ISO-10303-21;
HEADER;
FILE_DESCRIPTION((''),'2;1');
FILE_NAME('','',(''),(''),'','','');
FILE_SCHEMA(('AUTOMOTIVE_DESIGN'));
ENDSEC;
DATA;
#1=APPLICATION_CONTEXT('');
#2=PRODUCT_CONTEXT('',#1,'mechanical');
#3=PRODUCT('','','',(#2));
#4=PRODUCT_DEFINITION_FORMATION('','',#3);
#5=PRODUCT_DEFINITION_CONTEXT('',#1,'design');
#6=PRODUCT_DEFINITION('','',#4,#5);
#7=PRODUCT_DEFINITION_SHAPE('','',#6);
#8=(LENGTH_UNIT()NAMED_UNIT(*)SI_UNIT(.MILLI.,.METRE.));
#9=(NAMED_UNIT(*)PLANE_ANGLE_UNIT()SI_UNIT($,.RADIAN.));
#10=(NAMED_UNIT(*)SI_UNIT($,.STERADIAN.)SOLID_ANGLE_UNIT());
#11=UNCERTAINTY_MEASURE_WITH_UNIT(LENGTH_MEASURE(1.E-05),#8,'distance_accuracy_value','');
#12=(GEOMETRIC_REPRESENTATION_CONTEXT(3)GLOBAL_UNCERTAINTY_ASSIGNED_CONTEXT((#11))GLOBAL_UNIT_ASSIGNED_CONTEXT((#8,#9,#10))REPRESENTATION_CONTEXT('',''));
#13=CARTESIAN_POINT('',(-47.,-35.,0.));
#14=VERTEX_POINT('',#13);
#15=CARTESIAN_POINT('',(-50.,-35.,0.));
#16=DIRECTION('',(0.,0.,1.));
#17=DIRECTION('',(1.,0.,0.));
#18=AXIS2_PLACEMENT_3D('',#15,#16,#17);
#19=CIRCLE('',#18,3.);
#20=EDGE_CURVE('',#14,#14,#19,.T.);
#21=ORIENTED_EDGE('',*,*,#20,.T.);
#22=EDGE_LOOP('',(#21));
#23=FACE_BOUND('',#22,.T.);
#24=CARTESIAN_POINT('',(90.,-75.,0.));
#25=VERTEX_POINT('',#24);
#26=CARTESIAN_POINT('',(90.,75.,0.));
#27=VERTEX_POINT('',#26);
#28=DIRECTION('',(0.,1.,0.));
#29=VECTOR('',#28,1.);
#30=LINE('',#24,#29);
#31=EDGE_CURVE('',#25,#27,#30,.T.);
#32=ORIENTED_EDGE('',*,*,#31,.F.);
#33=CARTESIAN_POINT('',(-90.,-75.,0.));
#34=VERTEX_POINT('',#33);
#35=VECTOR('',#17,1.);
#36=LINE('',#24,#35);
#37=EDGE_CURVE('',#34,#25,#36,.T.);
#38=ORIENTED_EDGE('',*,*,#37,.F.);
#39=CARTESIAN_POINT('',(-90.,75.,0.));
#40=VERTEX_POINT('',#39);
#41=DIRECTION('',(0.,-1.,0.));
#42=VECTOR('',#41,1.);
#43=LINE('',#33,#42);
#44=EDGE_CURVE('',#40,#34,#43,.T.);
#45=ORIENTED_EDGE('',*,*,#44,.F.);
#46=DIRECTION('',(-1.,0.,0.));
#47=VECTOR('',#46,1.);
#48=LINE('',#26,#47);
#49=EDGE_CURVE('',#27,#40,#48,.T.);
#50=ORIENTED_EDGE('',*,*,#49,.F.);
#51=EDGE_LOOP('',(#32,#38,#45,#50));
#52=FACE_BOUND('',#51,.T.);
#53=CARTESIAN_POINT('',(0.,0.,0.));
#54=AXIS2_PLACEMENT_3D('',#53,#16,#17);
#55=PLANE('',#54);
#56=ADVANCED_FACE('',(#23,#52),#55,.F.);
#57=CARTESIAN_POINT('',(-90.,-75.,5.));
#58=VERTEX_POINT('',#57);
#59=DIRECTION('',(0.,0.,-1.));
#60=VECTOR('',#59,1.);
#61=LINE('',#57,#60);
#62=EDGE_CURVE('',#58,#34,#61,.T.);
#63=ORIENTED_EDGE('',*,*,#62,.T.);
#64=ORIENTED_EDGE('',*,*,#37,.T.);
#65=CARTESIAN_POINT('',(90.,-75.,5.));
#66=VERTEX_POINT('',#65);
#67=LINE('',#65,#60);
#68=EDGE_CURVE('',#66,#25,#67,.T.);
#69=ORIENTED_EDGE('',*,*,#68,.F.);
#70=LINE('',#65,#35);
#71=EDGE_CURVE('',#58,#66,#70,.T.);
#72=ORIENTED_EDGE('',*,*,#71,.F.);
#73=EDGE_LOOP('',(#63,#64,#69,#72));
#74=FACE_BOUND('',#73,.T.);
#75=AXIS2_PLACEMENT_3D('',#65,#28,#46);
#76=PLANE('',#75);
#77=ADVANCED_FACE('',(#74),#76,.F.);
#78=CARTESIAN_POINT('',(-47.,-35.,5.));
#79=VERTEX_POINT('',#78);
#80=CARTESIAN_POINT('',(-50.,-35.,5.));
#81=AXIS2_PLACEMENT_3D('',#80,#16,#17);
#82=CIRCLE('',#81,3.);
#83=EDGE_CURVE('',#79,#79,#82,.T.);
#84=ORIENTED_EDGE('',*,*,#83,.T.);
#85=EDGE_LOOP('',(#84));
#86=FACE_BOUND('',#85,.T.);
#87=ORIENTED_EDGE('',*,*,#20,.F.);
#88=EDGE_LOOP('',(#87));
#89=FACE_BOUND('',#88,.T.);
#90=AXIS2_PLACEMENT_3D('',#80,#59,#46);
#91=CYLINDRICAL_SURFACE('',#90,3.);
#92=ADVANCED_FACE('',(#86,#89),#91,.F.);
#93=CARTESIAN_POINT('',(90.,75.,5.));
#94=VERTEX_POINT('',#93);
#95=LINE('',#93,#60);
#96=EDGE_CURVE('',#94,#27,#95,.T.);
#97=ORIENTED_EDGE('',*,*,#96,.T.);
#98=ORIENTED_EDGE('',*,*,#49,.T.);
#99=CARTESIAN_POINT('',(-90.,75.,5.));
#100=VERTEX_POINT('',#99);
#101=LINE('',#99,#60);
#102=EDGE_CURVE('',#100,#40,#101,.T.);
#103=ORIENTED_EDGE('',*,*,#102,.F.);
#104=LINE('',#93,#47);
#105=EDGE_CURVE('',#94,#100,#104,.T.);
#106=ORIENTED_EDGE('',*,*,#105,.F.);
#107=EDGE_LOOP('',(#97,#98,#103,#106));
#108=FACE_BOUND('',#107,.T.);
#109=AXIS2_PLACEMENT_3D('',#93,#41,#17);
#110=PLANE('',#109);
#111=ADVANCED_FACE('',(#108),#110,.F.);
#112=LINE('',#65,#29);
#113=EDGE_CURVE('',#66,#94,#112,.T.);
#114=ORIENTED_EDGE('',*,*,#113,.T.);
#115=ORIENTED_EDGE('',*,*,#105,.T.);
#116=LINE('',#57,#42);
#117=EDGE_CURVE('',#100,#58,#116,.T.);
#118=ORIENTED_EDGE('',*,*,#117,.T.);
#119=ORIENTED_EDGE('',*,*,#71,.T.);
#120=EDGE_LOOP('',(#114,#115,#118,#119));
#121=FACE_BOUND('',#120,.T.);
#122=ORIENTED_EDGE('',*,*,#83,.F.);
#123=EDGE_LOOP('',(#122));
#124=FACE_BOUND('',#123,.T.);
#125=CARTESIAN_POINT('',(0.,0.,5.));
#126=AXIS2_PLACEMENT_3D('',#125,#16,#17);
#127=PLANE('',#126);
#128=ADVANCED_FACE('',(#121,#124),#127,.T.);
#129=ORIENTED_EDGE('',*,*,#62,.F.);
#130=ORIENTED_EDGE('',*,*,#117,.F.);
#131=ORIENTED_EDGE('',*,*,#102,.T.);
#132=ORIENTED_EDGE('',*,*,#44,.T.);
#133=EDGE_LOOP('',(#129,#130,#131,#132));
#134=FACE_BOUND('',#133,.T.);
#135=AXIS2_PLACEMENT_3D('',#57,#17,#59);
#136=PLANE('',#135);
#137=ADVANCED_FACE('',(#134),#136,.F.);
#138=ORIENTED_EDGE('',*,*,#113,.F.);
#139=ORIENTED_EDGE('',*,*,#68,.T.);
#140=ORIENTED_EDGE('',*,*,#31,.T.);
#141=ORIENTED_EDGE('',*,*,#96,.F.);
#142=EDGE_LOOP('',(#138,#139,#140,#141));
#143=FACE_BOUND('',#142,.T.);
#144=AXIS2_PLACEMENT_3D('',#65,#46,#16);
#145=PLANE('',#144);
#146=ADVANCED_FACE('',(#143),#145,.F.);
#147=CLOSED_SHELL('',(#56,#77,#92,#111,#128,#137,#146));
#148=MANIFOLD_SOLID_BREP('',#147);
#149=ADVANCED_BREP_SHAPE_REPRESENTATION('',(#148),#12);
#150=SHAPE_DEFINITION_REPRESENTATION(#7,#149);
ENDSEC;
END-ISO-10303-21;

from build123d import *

# Parameters (mm, degrees)
SKETCH1_W           = 180
SKETCH1_H           = 150
SKETCH1_R           = 3
BOSS_EXTRUDE1_DEPTH = 5


with BuildPart() as part:
    # Sketch1 → Boss-Extrude1 (new body)
    with BuildSketch(Plane.XY):
        Rectangle(SKETCH1_W, SKETCH1_H)
        with Locations((-50, -35)):
            Circle(SKETCH1_R, mode=Mode.SUBTRACT)
    extrude(amount=BOSS_EXTRUDE1_DEPTH)


solid = part.part
